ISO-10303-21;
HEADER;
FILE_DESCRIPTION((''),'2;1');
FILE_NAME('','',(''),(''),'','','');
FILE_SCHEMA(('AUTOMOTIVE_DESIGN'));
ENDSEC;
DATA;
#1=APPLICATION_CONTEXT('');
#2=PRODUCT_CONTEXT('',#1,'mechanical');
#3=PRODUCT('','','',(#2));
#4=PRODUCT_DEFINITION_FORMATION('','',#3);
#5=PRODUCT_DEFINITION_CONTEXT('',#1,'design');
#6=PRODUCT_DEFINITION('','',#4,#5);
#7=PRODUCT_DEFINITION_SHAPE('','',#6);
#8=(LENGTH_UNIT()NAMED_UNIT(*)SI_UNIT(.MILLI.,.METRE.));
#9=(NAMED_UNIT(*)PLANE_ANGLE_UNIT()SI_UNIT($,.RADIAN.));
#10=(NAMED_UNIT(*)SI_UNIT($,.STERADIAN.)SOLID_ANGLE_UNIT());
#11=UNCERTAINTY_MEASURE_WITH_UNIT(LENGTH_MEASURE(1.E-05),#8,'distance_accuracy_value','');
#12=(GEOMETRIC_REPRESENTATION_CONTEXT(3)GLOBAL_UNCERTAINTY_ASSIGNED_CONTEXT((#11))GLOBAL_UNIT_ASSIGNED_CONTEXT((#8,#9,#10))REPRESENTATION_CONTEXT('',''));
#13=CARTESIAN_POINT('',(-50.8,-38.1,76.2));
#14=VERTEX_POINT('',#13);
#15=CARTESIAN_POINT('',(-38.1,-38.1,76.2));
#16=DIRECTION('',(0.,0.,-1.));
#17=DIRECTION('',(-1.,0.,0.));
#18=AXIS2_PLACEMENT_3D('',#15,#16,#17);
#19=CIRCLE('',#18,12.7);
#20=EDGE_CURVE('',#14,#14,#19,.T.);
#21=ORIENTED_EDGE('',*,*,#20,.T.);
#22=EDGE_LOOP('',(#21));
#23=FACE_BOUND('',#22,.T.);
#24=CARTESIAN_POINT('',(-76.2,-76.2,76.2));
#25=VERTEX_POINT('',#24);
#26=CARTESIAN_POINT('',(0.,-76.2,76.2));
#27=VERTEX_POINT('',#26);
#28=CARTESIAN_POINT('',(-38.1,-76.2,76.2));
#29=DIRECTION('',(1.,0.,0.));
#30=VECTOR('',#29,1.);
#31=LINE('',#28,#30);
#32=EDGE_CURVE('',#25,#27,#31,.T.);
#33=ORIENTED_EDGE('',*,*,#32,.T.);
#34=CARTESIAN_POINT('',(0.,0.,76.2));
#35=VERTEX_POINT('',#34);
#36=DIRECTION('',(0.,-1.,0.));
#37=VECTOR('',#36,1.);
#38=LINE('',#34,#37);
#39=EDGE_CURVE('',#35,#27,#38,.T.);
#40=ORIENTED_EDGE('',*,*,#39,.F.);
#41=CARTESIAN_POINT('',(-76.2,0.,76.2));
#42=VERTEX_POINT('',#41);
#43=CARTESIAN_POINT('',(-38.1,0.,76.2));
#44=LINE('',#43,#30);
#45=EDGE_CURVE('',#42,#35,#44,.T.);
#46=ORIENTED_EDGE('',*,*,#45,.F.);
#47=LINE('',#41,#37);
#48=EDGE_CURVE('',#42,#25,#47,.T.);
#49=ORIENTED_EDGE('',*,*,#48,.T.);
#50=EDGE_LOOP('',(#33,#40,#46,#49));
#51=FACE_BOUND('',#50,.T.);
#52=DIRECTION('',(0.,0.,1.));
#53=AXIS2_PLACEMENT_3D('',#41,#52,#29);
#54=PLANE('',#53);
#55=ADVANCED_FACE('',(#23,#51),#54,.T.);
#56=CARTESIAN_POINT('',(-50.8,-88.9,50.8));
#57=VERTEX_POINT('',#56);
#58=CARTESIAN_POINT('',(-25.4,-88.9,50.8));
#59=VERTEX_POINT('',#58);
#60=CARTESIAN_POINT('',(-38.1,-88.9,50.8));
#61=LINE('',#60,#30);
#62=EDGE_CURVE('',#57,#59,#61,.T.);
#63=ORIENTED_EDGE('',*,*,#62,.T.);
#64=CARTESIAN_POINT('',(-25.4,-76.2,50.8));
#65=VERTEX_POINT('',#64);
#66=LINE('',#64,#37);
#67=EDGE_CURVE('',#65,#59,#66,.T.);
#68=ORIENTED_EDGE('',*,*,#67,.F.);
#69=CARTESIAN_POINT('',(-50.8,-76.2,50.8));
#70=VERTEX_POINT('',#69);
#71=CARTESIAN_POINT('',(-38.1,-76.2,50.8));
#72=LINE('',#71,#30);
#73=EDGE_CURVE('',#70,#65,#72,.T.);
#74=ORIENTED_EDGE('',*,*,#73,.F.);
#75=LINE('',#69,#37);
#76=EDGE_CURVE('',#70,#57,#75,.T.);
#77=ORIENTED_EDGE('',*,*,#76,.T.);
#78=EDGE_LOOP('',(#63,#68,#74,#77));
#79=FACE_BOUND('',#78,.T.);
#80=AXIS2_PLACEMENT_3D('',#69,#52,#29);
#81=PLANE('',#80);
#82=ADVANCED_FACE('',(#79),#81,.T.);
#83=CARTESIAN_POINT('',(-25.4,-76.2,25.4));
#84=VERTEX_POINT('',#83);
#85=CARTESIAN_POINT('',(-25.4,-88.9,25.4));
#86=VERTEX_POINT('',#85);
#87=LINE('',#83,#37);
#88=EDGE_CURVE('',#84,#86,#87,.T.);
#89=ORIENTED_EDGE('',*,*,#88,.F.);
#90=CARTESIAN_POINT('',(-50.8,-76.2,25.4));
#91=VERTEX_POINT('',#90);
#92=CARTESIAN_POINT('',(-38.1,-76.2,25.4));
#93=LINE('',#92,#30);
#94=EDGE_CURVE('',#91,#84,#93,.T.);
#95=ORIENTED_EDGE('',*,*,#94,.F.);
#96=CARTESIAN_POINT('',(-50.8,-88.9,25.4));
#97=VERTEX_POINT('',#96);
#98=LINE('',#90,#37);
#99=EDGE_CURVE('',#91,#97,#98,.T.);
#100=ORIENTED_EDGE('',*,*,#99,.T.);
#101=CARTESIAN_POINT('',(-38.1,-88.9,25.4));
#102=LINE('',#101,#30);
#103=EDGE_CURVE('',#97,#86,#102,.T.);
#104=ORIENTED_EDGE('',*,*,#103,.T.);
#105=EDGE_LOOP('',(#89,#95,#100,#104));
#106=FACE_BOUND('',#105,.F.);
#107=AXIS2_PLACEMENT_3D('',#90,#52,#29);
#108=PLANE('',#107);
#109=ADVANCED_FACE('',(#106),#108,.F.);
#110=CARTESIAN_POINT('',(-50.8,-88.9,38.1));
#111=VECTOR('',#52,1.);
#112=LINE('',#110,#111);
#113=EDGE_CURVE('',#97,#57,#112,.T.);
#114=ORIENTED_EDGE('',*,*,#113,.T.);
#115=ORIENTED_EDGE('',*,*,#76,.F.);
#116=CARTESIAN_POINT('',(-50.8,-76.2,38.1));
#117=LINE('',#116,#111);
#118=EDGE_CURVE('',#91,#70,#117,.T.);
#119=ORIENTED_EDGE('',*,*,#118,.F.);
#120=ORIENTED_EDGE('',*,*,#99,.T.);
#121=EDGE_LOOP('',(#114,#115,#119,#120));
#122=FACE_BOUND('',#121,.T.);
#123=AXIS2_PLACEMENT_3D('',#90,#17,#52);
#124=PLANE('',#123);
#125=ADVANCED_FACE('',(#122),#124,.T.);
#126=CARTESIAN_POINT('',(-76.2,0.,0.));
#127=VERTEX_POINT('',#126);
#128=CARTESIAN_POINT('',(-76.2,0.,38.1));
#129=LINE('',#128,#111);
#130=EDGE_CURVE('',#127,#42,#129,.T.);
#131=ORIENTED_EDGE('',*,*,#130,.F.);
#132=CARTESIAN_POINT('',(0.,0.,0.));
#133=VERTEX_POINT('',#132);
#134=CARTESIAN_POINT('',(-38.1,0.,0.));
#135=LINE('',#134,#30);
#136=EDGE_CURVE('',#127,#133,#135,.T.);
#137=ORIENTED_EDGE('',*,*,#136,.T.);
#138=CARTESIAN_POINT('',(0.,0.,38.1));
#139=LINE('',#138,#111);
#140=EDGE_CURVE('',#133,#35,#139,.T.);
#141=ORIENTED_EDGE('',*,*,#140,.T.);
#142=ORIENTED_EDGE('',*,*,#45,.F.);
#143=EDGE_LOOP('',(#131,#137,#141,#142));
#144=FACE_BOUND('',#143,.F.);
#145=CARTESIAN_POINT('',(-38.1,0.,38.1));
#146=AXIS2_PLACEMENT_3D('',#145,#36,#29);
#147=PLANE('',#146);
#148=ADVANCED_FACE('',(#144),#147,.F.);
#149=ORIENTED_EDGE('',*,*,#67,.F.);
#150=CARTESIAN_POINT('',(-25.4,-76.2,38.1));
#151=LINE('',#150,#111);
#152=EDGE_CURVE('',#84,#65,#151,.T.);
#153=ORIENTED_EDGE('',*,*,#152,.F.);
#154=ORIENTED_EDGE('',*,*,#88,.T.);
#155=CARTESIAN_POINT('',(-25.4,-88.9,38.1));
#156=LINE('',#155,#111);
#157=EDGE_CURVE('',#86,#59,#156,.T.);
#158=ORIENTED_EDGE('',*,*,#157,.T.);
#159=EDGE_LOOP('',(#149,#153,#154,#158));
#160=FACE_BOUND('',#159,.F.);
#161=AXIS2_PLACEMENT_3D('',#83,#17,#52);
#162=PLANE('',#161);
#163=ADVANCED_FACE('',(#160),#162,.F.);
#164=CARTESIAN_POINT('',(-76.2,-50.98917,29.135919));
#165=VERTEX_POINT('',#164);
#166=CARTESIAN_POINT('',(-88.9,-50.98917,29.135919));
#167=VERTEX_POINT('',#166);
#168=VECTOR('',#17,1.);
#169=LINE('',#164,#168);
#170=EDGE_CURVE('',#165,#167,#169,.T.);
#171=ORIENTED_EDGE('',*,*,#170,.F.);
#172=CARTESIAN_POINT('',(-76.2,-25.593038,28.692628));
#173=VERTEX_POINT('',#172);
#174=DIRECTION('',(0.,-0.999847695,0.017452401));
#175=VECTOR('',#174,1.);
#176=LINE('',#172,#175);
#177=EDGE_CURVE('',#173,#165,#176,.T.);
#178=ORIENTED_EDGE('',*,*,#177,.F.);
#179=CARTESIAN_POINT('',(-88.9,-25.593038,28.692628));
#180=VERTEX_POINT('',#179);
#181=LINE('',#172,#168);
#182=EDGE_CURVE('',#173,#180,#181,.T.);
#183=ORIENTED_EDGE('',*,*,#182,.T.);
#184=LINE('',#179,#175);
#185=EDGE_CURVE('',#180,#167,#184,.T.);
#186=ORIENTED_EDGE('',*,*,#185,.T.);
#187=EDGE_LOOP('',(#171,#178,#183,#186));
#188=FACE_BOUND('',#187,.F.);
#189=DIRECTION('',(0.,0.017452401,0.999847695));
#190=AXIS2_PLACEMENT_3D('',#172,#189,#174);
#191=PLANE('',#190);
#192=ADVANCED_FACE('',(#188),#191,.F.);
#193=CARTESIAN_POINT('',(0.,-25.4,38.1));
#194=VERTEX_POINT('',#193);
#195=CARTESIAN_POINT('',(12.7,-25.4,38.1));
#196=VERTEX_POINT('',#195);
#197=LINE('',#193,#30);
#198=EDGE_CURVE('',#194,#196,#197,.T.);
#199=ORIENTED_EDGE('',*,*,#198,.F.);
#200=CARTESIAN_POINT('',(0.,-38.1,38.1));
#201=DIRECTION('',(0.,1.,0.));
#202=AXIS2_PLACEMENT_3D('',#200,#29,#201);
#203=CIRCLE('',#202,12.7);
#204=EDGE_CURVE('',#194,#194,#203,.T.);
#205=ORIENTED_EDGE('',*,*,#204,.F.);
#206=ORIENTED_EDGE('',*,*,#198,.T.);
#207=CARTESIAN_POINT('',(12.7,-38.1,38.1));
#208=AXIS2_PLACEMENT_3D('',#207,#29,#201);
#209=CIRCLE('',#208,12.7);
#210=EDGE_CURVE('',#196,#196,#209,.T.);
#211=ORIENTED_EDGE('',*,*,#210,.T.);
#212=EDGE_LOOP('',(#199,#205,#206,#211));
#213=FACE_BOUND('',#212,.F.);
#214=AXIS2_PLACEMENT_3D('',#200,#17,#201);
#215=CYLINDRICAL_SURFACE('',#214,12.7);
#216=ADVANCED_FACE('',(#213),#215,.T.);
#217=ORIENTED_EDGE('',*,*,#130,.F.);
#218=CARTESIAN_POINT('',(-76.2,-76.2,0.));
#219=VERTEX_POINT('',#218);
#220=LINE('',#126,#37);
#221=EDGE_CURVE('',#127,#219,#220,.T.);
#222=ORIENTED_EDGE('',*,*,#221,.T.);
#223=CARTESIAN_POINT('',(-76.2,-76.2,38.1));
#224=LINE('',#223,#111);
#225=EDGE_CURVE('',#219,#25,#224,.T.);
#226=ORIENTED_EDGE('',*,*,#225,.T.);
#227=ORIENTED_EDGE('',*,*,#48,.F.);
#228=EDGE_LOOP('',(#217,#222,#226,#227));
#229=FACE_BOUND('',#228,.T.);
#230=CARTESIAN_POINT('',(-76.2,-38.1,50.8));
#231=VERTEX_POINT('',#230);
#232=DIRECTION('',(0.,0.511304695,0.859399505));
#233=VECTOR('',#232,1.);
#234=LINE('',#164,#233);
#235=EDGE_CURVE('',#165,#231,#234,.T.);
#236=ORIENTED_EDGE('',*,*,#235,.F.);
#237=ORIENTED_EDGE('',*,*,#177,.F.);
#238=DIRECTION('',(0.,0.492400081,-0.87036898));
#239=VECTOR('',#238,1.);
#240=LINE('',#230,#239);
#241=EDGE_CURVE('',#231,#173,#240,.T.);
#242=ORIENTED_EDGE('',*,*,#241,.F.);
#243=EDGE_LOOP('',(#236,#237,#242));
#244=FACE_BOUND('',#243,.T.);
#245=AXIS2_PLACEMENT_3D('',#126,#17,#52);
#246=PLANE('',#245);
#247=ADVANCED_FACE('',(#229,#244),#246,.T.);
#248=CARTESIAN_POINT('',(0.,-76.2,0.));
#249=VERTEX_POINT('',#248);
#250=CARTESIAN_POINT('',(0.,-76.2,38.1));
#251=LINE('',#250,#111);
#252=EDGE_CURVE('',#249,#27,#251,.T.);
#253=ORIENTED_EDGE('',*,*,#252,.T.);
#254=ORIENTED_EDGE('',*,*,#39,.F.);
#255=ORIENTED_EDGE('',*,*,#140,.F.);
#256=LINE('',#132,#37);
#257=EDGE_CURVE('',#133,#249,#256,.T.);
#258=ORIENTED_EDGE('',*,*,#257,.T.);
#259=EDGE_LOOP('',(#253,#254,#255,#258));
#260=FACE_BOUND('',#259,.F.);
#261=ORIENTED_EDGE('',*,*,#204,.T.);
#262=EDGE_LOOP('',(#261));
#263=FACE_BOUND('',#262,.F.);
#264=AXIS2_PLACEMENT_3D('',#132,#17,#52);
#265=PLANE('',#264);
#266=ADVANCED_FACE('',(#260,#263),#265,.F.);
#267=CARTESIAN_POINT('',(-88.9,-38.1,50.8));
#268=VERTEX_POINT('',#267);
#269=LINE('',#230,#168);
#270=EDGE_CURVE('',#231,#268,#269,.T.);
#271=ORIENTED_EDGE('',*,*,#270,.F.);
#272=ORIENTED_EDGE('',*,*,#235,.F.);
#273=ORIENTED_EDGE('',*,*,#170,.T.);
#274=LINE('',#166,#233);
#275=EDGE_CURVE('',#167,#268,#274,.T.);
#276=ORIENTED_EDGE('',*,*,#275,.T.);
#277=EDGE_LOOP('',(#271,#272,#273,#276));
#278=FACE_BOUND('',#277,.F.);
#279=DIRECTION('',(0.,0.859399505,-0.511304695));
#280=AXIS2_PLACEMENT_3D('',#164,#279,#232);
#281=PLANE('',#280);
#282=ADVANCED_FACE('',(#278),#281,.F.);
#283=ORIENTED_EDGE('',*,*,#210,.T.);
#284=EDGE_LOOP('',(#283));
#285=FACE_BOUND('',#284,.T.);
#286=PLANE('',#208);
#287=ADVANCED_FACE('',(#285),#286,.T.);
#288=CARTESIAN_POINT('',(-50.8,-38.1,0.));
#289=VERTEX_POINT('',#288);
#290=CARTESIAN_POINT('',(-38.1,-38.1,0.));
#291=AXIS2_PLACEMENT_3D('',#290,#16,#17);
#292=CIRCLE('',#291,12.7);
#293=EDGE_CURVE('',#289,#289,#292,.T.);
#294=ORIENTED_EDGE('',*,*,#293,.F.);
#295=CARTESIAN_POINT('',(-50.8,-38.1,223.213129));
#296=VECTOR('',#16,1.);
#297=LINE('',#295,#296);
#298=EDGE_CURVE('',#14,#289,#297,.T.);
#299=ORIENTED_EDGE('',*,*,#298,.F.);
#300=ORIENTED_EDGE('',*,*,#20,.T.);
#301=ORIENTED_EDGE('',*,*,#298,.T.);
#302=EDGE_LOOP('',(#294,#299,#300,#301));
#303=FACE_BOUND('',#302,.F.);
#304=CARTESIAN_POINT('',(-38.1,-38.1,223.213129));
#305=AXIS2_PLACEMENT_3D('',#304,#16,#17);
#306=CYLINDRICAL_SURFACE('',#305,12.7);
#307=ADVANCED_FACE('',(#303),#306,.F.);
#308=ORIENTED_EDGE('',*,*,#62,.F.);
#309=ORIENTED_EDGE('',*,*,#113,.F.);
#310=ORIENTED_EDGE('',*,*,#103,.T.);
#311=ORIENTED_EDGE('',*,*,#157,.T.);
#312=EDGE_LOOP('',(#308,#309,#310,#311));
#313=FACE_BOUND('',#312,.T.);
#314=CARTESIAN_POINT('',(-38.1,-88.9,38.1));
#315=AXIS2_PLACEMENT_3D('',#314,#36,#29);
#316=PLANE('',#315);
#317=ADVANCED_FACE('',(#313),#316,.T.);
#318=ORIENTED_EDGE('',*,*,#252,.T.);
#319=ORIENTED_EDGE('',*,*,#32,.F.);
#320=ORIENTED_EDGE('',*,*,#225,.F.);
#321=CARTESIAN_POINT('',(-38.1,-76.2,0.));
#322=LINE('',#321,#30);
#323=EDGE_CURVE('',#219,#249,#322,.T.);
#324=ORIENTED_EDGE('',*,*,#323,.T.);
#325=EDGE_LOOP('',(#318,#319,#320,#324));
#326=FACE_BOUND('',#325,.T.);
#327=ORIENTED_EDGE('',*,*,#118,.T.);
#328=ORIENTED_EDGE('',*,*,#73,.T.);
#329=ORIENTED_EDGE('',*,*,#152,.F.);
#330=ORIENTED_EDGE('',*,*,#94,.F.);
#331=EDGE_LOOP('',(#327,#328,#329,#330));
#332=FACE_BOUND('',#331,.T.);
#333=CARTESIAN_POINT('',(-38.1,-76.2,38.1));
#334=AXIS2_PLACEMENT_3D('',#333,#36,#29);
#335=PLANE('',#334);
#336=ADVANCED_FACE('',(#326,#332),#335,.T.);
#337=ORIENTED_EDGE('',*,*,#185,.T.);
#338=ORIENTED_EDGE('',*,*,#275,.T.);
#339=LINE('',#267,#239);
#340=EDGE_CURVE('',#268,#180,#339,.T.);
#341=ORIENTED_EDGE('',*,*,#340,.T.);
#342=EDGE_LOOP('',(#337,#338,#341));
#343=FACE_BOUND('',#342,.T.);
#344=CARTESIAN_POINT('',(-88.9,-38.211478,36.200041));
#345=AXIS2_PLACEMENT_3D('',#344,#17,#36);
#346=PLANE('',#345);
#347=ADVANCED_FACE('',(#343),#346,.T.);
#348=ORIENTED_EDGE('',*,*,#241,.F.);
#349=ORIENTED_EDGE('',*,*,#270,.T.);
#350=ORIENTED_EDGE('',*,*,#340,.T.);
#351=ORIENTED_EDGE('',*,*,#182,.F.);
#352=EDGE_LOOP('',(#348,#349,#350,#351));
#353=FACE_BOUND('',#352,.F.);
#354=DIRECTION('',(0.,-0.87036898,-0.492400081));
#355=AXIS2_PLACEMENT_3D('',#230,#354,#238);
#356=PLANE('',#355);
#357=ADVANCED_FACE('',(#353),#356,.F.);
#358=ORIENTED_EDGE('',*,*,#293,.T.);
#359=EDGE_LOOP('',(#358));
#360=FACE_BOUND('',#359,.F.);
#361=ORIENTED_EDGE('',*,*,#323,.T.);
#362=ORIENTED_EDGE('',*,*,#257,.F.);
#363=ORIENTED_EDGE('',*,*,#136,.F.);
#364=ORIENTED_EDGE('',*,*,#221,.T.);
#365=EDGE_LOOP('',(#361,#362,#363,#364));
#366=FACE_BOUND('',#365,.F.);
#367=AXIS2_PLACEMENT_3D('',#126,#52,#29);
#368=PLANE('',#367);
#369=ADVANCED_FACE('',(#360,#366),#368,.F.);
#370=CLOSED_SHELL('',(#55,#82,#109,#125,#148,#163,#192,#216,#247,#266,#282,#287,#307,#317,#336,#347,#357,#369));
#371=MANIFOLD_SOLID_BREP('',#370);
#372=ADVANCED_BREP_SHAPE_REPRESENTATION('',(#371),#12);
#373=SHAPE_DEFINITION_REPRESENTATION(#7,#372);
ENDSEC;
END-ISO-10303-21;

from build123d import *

# Parameters (mm, degrees)
F0_W      = 76.2
F0_H      = 76.2
F1_DEPTH  = 76.2
F2_W      = 25.4
F2_H      = 25.4
F3_DEPTH  = 12.7
F4_R      = 12.7
F5_DEPTH  = 12.7
F8_D      = 25.4
F10_DEPTH = 12.7


with BuildPart() as f1:
    # F0 (on Front) → F1 (new body)
    with BuildSketch(Plane.XZ):
        with Locations((-38.1, 38.1)):
            Rectangle(F0_W, F0_H)
    extrude(amount=F1_DEPTH)

    # F2 (on face) → F3 (join)
    with BuildSketch(Plane.XZ.offset(76.2)):
        with Locations((-38.1, 38.1)):
            Rectangle(F2_W, F2_H)
    extrude(amount=F3_DEPTH)

    # F4 (on face) → F5 (join)
    with BuildSketch(Plane.YZ):
        with Locations((-38.1, 38.1)):
            Circle(F4_R)
    extrude(amount=F5_DEPTH)

    # F8 (through all)
    with Locations(Plane.XY.offset(76.2)):
        with Locations((-38.1, -38.1)):
            Hole(F8_D / 2)

    # F9 (on face) → F10 (join)
    with BuildSketch(Plane(origin=(-76.2, 0, 0), x_dir=(0, -1, 0), z_dir=(-1, 0, 0))):
        Polygon((38.1, 50.8), (25.593038, 28.692628), (50.98917, 29.135919), align=None)
    extrude(amount=F10_DEPTH)


solid = f1.part
